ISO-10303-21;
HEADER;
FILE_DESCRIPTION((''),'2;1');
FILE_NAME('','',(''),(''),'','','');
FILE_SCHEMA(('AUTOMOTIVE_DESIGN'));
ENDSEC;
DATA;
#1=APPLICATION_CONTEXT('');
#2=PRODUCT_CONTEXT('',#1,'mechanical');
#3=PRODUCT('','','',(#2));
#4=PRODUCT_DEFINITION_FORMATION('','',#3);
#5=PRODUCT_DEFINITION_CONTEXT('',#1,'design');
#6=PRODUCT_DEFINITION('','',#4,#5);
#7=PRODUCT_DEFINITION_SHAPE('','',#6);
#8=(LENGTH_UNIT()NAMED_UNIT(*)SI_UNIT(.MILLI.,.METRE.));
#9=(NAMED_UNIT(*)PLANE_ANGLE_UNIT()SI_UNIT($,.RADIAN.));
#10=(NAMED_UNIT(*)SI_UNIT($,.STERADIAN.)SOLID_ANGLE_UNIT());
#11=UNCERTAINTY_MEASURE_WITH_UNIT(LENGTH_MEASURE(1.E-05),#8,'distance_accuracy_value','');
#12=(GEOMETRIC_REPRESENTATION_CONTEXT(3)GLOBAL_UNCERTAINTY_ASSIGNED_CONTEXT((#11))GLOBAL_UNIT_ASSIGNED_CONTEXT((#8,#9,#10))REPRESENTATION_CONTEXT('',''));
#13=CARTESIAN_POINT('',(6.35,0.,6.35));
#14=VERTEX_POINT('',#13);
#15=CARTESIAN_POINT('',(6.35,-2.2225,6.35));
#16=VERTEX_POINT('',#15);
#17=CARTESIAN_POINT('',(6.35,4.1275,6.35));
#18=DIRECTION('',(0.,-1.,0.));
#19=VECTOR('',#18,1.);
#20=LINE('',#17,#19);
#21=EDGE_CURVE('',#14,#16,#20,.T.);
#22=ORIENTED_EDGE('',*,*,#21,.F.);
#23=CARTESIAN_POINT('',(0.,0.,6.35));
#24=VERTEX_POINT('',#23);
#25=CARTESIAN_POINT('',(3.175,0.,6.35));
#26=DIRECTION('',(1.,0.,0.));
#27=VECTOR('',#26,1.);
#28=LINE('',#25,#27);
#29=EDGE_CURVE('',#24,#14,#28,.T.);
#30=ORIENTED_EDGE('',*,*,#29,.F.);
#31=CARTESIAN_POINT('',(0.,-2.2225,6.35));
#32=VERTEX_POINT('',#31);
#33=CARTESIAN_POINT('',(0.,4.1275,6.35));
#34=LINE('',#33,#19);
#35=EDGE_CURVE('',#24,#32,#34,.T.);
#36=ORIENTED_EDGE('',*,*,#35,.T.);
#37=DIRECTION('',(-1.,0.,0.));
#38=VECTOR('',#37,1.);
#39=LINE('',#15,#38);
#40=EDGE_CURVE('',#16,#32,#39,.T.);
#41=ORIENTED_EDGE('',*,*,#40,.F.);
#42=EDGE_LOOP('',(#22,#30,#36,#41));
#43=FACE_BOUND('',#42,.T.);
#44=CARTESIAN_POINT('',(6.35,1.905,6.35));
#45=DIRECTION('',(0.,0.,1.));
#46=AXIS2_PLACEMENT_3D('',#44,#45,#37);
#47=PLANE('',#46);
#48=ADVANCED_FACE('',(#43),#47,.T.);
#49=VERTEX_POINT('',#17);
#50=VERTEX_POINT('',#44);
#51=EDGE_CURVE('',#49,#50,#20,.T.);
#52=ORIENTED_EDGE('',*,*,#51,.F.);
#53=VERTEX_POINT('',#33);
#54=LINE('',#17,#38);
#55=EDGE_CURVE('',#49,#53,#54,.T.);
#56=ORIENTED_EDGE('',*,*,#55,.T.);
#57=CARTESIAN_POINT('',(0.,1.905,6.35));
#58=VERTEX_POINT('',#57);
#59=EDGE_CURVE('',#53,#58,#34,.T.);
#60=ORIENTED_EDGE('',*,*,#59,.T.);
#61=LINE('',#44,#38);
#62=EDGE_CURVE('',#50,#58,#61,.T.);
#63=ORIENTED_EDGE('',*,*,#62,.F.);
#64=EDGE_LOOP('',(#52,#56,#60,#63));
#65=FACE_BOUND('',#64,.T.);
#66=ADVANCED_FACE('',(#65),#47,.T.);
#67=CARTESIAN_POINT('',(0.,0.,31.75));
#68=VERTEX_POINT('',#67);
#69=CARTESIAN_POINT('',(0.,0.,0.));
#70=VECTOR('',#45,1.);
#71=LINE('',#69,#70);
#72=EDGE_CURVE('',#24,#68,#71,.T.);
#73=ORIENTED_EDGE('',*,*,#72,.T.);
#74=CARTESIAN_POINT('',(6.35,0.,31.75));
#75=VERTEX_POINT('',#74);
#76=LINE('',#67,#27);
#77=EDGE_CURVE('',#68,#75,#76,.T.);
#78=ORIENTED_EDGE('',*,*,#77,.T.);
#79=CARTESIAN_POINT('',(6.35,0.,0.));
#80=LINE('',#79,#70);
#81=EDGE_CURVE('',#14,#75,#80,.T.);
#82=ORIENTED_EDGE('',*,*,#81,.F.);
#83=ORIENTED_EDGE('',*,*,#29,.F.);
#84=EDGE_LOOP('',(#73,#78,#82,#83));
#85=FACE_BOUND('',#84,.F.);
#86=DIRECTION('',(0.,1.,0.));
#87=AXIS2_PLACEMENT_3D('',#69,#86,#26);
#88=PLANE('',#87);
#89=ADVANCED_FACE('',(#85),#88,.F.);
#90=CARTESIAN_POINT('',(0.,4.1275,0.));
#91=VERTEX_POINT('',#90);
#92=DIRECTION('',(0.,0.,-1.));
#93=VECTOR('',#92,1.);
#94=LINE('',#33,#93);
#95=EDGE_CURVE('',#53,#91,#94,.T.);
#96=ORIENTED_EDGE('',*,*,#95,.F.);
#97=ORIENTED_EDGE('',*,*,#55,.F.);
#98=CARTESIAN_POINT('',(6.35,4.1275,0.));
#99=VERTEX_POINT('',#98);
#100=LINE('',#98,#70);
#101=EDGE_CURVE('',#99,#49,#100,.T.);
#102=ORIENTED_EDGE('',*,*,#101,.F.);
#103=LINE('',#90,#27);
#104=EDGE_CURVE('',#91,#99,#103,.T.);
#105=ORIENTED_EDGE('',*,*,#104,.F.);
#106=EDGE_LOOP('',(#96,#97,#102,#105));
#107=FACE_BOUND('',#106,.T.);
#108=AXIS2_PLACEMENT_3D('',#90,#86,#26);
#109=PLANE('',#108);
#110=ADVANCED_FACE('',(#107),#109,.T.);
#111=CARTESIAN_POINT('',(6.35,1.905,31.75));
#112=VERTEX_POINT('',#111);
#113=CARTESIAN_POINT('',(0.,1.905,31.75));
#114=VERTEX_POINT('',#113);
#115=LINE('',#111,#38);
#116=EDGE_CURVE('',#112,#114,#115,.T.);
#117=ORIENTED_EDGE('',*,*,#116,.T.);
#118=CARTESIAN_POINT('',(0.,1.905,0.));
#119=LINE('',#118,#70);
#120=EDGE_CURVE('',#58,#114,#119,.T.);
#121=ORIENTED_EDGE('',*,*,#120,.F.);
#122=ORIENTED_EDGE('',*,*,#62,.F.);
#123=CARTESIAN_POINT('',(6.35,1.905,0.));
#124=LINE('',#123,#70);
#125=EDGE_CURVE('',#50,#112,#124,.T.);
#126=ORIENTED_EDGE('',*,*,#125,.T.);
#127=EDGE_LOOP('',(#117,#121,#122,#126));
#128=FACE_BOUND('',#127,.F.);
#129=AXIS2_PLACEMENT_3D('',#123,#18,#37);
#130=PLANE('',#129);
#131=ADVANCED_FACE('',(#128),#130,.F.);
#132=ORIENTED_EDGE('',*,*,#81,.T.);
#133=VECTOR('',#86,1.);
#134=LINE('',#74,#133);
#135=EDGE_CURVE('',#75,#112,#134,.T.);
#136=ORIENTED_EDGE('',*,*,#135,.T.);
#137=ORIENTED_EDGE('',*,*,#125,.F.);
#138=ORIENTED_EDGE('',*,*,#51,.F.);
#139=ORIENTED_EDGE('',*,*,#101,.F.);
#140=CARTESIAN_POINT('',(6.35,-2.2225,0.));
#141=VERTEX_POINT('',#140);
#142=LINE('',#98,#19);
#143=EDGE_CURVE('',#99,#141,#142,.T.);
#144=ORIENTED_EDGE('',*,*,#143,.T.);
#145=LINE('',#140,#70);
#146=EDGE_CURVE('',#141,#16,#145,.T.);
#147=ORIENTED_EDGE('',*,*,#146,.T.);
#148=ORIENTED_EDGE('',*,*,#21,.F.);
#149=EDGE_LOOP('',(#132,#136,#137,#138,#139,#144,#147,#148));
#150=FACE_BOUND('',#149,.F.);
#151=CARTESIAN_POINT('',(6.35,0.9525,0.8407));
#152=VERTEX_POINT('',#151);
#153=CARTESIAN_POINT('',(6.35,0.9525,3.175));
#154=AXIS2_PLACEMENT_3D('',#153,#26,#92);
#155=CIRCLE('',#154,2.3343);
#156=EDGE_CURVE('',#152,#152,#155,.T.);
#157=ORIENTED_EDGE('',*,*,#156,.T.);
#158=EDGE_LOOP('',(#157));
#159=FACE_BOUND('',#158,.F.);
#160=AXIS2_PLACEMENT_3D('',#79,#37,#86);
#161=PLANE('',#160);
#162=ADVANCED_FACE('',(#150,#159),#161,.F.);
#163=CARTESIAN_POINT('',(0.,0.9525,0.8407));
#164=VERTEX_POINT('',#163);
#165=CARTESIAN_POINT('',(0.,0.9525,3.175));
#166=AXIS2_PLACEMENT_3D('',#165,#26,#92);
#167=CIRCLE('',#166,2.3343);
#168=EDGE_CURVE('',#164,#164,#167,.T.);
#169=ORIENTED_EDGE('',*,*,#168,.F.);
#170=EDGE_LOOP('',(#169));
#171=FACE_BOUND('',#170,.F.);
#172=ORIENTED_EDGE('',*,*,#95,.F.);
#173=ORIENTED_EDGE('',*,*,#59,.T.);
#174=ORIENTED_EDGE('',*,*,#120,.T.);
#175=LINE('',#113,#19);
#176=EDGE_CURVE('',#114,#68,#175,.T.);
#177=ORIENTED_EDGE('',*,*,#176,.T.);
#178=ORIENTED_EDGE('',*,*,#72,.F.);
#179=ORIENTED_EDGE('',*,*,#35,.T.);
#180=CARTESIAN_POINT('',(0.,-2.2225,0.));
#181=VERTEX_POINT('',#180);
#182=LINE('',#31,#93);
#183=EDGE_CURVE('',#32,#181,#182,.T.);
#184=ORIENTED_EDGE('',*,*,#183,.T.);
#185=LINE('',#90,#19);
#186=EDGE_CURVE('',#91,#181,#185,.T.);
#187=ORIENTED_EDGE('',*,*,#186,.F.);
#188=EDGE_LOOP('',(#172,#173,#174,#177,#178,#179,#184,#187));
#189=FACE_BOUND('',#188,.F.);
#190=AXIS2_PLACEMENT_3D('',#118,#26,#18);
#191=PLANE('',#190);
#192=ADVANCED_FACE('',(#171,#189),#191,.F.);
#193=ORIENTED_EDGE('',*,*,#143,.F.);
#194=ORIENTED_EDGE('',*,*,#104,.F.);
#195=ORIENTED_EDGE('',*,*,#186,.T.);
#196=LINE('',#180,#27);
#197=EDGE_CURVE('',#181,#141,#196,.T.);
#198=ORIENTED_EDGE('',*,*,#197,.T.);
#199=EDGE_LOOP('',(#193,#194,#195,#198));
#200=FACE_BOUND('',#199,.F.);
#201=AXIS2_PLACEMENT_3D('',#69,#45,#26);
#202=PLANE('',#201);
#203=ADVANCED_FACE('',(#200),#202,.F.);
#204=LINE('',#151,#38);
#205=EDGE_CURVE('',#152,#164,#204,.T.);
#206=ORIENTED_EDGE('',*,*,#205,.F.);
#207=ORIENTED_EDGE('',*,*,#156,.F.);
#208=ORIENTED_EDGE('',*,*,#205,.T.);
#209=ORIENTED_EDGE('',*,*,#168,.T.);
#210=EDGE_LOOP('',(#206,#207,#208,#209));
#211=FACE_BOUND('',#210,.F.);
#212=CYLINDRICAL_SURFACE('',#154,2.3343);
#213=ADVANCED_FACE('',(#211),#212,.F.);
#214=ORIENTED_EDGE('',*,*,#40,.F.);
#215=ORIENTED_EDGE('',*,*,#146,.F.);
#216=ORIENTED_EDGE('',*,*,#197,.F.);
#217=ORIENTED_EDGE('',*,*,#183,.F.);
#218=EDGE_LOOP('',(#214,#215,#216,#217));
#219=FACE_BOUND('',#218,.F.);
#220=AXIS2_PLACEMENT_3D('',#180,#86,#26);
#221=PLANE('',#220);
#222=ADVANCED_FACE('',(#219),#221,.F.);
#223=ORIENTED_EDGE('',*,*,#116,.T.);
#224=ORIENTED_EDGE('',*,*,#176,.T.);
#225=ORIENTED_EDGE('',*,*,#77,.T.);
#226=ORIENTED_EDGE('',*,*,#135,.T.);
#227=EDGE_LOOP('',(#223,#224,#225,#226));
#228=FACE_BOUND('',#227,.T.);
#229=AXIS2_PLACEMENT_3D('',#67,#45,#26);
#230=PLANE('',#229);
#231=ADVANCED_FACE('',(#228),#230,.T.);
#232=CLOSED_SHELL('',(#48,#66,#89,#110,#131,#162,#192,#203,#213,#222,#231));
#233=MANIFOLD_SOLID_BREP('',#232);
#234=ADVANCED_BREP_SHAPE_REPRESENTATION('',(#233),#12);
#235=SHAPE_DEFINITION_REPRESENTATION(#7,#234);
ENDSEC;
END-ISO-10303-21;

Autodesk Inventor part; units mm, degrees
ref_plane "YZ Plane" through (0, 0, 0) normal (1, 0, 0) x (0, 1, 0)
ref_plane "XZ Plane" through (0, 0, 0) normal (0, 1, 0) x (-1, 0, 0)
ref_plane "XY Plane" through (0, 0, 0) normal (0, 0, 1) x (1, 0, 0)
sketch "Sketch1" plane through (0, 0, 0) normal (0, 0, 1) x (1, 0, 0)
  line L0 (0, 0) -> (6.35, 0)
  line L1 (6.35, 0) -> (6.35, 1.905)
  line L2 (6.35, 1.905) -> (0, 1.905)
  line L3 (0, 1.905) -> (0, 0)
  dimension "d0" = 1.905
  dimension "d1" = 6.35
extrude "Extrusion1" add sketch "Sketch1" along normal blind 31.75
sketch "Sketch2" plane through (0, 1.905, 0) normal (0, 1, 0) x (1, 0, 0)
  line L0 (6.35, 0) -> (6.35, -31.75) projected
  line L1 (0, 0) -> (6.35, 0)
  line L2 (6.35, 0) -> (6.35, -6.35)
  line L3 (6.35, -6.35) -> (0, -6.35)
  line L4 (0, -6.35) -> (0, 0)
  dimension "d4" = 6.35
extrude "Extrusion2" add sketch "Sketch2" along normal blind 2.2225 and the other way blind 4.1275
sketch "Sketch3" plane through (6.35, 0, 31.75) normal (1, 0, 0) x (0, 0, -1)
  line L0 (21.2753, 0.9525) -> (48.2824, 0.9525) construction
  line L1 (28.575, 14.3554) -> (28.575, -13.5982) construction
  line L2 (31.75, 4.1275) -> (31.75, -2.2225) construction
  line L3 (25.4, 4.1275) -> (31.75, 4.1275) construction
  line L4 (31.75, -2.2225) -> (25.4, -2.2225) construction
  circle A0 centre (28.575, 0.9525) radius 2.3343
  point P0 (31.75, 0)
  dimension "d9" = 3.175
  dimension "d11" = 3.175
  dimension "d12" = 4.6685
extrude "Extrusion3" cut sketch "Sketch3" against normal through all
properties part number "000207"
